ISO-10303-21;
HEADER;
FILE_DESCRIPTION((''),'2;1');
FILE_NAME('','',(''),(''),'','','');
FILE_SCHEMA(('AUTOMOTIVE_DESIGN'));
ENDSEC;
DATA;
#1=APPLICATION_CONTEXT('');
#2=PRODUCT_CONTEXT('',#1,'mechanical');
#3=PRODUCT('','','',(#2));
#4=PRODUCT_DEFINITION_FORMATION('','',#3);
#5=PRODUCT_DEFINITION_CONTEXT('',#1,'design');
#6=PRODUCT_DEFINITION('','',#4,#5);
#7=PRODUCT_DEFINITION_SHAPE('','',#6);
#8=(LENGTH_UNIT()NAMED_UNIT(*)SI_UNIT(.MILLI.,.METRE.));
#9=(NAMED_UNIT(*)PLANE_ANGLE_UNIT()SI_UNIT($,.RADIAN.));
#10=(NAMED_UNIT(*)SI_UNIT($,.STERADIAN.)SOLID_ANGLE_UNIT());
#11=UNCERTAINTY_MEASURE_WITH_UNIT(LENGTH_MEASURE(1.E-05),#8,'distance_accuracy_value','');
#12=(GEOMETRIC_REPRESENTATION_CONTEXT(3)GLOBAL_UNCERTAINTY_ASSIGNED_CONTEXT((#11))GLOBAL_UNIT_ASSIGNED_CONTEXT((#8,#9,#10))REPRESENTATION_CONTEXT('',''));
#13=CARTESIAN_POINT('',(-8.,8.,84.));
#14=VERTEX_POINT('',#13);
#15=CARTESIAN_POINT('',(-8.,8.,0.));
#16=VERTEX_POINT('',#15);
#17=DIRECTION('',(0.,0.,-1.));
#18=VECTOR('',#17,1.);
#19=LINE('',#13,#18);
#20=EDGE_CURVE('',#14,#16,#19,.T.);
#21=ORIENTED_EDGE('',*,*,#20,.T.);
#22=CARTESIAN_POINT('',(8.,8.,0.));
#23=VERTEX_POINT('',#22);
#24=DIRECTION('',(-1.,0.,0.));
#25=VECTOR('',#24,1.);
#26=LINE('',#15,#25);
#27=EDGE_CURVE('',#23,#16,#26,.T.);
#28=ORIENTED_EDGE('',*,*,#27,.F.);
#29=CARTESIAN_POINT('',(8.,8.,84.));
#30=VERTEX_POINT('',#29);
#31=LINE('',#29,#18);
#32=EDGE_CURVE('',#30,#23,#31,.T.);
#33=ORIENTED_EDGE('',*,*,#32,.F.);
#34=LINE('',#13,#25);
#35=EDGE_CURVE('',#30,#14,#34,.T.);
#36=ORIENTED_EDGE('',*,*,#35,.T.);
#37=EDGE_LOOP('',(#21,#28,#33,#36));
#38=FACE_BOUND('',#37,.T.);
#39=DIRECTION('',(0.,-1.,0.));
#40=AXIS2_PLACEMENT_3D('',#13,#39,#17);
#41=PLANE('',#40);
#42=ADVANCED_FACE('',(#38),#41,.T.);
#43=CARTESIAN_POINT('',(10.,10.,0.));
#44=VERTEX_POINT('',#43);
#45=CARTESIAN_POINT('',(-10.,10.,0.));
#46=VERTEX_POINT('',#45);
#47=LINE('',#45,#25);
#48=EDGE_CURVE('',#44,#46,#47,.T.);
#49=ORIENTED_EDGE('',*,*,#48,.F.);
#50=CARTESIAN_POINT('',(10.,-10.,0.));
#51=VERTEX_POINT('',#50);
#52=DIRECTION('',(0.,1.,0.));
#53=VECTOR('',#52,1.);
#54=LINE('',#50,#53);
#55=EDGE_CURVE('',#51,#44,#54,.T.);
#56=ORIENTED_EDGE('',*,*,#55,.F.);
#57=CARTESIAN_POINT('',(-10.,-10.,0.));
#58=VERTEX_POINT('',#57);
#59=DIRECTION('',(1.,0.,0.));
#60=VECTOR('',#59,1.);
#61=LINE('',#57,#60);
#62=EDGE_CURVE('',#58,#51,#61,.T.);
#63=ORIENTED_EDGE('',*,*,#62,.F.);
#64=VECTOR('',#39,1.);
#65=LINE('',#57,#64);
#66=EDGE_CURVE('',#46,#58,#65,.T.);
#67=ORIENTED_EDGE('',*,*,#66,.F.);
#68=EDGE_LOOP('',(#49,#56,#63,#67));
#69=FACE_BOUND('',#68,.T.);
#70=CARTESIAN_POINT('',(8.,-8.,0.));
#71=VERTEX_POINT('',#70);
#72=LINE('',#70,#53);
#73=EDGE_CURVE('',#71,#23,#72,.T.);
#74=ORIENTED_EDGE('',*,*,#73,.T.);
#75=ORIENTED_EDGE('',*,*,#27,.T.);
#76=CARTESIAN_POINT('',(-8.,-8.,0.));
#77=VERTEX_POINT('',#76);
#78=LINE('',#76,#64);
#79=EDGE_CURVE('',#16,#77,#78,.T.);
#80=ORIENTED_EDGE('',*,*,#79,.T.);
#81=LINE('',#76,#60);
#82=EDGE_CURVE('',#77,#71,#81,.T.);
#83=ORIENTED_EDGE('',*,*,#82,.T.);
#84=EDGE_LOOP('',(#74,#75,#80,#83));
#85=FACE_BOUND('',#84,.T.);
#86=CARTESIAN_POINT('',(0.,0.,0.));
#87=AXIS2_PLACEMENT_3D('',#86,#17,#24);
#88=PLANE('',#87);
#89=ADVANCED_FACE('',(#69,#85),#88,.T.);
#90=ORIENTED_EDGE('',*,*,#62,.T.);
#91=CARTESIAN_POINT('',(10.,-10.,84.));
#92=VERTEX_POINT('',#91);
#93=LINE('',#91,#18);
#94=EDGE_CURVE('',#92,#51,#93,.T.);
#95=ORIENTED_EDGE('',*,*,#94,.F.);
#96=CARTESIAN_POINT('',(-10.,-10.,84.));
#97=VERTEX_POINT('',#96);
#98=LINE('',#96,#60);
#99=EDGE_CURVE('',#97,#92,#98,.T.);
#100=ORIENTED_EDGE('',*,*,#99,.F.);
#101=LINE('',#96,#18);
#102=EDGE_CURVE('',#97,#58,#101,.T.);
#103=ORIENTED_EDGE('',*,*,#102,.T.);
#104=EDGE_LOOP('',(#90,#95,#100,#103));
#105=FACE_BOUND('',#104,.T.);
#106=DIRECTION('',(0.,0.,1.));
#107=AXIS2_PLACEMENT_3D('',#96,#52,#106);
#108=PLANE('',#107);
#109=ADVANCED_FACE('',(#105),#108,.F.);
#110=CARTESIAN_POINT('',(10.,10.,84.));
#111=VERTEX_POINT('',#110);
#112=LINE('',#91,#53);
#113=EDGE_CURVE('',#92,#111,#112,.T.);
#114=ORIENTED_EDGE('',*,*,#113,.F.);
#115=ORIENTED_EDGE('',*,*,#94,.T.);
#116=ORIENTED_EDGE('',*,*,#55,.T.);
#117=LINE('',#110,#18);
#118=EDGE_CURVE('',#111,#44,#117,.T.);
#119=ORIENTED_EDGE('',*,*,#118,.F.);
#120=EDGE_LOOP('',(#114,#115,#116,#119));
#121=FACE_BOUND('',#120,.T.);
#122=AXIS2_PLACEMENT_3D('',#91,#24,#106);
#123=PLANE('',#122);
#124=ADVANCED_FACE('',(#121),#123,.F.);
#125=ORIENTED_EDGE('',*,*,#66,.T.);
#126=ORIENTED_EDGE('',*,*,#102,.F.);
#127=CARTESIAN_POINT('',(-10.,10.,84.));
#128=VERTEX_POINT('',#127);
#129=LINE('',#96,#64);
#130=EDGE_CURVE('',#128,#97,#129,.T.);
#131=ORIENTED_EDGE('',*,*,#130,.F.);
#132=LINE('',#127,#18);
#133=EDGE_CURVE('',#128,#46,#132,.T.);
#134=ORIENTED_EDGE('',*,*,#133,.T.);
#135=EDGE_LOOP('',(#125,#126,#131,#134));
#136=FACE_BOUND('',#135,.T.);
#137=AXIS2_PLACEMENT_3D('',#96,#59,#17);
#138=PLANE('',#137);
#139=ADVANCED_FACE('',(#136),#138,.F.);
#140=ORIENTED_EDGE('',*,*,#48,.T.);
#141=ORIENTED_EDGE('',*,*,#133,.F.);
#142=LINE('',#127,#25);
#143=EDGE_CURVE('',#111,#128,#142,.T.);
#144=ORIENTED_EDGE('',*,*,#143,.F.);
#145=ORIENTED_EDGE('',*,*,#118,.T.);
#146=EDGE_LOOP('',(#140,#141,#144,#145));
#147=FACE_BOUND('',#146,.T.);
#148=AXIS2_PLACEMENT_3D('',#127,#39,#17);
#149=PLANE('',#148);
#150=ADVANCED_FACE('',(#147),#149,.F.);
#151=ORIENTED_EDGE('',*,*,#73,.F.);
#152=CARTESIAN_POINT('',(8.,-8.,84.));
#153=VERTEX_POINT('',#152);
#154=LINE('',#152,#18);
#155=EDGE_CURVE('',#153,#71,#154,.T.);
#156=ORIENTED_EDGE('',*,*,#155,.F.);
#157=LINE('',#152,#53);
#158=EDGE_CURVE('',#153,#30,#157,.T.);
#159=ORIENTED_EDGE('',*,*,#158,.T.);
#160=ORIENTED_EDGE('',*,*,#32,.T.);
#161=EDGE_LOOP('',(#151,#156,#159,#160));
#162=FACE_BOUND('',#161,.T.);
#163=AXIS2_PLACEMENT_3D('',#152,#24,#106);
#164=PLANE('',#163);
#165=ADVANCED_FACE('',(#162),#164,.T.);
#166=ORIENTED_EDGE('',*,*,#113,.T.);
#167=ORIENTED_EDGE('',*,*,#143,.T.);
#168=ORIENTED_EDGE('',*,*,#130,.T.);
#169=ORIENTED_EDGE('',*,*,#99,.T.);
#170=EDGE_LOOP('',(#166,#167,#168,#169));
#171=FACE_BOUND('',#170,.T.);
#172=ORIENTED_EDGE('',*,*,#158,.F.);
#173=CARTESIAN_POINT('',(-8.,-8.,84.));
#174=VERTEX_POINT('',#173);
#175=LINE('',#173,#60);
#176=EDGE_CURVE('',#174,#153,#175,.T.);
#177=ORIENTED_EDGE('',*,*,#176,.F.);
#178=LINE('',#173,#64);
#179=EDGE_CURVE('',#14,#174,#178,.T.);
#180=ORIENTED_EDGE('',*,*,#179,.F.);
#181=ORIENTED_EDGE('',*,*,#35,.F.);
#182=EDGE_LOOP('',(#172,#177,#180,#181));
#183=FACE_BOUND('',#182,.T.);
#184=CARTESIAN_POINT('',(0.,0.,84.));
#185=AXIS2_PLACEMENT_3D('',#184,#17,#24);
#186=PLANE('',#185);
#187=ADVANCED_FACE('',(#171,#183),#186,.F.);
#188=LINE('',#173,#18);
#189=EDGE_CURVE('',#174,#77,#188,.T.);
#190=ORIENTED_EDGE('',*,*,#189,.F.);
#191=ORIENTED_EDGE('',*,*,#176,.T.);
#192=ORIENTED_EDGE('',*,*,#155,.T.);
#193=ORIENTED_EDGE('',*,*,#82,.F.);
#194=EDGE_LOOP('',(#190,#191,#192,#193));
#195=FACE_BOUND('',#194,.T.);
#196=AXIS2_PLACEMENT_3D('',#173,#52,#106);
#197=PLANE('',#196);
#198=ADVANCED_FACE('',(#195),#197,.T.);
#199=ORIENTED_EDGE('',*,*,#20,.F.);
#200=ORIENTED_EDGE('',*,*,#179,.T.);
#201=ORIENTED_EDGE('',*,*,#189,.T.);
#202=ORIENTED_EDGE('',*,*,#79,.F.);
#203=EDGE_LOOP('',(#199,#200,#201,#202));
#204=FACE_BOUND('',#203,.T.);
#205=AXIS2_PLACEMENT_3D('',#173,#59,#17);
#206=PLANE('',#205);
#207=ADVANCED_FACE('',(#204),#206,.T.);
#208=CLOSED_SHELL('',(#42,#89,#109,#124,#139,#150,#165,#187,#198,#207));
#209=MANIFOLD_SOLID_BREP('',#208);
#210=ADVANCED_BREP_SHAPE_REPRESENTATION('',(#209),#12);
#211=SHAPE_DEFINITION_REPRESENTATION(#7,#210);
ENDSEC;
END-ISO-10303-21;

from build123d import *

# Parameters (mm, degrees)
SKETCH_1_W      = 20
SKETCH_1_H      = 20
SKETCH_1_W_2    = 16
SKETCH_1_H_2    = 16
EXTRUDE_1_DEPTH = 84


with BuildPart() as part:
    # 草图1 → 凸台-拉伸1 (new body)
    with BuildSketch(Plane.XY):
        Rectangle(SKETCH_1_W, SKETCH_1_H)
        Rectangle(SKETCH_1_W_2, SKETCH_1_H_2, mode=Mode.SUBTRACT)
    extrude(amount=EXTRUDE_1_DEPTH)


solid = part.part
